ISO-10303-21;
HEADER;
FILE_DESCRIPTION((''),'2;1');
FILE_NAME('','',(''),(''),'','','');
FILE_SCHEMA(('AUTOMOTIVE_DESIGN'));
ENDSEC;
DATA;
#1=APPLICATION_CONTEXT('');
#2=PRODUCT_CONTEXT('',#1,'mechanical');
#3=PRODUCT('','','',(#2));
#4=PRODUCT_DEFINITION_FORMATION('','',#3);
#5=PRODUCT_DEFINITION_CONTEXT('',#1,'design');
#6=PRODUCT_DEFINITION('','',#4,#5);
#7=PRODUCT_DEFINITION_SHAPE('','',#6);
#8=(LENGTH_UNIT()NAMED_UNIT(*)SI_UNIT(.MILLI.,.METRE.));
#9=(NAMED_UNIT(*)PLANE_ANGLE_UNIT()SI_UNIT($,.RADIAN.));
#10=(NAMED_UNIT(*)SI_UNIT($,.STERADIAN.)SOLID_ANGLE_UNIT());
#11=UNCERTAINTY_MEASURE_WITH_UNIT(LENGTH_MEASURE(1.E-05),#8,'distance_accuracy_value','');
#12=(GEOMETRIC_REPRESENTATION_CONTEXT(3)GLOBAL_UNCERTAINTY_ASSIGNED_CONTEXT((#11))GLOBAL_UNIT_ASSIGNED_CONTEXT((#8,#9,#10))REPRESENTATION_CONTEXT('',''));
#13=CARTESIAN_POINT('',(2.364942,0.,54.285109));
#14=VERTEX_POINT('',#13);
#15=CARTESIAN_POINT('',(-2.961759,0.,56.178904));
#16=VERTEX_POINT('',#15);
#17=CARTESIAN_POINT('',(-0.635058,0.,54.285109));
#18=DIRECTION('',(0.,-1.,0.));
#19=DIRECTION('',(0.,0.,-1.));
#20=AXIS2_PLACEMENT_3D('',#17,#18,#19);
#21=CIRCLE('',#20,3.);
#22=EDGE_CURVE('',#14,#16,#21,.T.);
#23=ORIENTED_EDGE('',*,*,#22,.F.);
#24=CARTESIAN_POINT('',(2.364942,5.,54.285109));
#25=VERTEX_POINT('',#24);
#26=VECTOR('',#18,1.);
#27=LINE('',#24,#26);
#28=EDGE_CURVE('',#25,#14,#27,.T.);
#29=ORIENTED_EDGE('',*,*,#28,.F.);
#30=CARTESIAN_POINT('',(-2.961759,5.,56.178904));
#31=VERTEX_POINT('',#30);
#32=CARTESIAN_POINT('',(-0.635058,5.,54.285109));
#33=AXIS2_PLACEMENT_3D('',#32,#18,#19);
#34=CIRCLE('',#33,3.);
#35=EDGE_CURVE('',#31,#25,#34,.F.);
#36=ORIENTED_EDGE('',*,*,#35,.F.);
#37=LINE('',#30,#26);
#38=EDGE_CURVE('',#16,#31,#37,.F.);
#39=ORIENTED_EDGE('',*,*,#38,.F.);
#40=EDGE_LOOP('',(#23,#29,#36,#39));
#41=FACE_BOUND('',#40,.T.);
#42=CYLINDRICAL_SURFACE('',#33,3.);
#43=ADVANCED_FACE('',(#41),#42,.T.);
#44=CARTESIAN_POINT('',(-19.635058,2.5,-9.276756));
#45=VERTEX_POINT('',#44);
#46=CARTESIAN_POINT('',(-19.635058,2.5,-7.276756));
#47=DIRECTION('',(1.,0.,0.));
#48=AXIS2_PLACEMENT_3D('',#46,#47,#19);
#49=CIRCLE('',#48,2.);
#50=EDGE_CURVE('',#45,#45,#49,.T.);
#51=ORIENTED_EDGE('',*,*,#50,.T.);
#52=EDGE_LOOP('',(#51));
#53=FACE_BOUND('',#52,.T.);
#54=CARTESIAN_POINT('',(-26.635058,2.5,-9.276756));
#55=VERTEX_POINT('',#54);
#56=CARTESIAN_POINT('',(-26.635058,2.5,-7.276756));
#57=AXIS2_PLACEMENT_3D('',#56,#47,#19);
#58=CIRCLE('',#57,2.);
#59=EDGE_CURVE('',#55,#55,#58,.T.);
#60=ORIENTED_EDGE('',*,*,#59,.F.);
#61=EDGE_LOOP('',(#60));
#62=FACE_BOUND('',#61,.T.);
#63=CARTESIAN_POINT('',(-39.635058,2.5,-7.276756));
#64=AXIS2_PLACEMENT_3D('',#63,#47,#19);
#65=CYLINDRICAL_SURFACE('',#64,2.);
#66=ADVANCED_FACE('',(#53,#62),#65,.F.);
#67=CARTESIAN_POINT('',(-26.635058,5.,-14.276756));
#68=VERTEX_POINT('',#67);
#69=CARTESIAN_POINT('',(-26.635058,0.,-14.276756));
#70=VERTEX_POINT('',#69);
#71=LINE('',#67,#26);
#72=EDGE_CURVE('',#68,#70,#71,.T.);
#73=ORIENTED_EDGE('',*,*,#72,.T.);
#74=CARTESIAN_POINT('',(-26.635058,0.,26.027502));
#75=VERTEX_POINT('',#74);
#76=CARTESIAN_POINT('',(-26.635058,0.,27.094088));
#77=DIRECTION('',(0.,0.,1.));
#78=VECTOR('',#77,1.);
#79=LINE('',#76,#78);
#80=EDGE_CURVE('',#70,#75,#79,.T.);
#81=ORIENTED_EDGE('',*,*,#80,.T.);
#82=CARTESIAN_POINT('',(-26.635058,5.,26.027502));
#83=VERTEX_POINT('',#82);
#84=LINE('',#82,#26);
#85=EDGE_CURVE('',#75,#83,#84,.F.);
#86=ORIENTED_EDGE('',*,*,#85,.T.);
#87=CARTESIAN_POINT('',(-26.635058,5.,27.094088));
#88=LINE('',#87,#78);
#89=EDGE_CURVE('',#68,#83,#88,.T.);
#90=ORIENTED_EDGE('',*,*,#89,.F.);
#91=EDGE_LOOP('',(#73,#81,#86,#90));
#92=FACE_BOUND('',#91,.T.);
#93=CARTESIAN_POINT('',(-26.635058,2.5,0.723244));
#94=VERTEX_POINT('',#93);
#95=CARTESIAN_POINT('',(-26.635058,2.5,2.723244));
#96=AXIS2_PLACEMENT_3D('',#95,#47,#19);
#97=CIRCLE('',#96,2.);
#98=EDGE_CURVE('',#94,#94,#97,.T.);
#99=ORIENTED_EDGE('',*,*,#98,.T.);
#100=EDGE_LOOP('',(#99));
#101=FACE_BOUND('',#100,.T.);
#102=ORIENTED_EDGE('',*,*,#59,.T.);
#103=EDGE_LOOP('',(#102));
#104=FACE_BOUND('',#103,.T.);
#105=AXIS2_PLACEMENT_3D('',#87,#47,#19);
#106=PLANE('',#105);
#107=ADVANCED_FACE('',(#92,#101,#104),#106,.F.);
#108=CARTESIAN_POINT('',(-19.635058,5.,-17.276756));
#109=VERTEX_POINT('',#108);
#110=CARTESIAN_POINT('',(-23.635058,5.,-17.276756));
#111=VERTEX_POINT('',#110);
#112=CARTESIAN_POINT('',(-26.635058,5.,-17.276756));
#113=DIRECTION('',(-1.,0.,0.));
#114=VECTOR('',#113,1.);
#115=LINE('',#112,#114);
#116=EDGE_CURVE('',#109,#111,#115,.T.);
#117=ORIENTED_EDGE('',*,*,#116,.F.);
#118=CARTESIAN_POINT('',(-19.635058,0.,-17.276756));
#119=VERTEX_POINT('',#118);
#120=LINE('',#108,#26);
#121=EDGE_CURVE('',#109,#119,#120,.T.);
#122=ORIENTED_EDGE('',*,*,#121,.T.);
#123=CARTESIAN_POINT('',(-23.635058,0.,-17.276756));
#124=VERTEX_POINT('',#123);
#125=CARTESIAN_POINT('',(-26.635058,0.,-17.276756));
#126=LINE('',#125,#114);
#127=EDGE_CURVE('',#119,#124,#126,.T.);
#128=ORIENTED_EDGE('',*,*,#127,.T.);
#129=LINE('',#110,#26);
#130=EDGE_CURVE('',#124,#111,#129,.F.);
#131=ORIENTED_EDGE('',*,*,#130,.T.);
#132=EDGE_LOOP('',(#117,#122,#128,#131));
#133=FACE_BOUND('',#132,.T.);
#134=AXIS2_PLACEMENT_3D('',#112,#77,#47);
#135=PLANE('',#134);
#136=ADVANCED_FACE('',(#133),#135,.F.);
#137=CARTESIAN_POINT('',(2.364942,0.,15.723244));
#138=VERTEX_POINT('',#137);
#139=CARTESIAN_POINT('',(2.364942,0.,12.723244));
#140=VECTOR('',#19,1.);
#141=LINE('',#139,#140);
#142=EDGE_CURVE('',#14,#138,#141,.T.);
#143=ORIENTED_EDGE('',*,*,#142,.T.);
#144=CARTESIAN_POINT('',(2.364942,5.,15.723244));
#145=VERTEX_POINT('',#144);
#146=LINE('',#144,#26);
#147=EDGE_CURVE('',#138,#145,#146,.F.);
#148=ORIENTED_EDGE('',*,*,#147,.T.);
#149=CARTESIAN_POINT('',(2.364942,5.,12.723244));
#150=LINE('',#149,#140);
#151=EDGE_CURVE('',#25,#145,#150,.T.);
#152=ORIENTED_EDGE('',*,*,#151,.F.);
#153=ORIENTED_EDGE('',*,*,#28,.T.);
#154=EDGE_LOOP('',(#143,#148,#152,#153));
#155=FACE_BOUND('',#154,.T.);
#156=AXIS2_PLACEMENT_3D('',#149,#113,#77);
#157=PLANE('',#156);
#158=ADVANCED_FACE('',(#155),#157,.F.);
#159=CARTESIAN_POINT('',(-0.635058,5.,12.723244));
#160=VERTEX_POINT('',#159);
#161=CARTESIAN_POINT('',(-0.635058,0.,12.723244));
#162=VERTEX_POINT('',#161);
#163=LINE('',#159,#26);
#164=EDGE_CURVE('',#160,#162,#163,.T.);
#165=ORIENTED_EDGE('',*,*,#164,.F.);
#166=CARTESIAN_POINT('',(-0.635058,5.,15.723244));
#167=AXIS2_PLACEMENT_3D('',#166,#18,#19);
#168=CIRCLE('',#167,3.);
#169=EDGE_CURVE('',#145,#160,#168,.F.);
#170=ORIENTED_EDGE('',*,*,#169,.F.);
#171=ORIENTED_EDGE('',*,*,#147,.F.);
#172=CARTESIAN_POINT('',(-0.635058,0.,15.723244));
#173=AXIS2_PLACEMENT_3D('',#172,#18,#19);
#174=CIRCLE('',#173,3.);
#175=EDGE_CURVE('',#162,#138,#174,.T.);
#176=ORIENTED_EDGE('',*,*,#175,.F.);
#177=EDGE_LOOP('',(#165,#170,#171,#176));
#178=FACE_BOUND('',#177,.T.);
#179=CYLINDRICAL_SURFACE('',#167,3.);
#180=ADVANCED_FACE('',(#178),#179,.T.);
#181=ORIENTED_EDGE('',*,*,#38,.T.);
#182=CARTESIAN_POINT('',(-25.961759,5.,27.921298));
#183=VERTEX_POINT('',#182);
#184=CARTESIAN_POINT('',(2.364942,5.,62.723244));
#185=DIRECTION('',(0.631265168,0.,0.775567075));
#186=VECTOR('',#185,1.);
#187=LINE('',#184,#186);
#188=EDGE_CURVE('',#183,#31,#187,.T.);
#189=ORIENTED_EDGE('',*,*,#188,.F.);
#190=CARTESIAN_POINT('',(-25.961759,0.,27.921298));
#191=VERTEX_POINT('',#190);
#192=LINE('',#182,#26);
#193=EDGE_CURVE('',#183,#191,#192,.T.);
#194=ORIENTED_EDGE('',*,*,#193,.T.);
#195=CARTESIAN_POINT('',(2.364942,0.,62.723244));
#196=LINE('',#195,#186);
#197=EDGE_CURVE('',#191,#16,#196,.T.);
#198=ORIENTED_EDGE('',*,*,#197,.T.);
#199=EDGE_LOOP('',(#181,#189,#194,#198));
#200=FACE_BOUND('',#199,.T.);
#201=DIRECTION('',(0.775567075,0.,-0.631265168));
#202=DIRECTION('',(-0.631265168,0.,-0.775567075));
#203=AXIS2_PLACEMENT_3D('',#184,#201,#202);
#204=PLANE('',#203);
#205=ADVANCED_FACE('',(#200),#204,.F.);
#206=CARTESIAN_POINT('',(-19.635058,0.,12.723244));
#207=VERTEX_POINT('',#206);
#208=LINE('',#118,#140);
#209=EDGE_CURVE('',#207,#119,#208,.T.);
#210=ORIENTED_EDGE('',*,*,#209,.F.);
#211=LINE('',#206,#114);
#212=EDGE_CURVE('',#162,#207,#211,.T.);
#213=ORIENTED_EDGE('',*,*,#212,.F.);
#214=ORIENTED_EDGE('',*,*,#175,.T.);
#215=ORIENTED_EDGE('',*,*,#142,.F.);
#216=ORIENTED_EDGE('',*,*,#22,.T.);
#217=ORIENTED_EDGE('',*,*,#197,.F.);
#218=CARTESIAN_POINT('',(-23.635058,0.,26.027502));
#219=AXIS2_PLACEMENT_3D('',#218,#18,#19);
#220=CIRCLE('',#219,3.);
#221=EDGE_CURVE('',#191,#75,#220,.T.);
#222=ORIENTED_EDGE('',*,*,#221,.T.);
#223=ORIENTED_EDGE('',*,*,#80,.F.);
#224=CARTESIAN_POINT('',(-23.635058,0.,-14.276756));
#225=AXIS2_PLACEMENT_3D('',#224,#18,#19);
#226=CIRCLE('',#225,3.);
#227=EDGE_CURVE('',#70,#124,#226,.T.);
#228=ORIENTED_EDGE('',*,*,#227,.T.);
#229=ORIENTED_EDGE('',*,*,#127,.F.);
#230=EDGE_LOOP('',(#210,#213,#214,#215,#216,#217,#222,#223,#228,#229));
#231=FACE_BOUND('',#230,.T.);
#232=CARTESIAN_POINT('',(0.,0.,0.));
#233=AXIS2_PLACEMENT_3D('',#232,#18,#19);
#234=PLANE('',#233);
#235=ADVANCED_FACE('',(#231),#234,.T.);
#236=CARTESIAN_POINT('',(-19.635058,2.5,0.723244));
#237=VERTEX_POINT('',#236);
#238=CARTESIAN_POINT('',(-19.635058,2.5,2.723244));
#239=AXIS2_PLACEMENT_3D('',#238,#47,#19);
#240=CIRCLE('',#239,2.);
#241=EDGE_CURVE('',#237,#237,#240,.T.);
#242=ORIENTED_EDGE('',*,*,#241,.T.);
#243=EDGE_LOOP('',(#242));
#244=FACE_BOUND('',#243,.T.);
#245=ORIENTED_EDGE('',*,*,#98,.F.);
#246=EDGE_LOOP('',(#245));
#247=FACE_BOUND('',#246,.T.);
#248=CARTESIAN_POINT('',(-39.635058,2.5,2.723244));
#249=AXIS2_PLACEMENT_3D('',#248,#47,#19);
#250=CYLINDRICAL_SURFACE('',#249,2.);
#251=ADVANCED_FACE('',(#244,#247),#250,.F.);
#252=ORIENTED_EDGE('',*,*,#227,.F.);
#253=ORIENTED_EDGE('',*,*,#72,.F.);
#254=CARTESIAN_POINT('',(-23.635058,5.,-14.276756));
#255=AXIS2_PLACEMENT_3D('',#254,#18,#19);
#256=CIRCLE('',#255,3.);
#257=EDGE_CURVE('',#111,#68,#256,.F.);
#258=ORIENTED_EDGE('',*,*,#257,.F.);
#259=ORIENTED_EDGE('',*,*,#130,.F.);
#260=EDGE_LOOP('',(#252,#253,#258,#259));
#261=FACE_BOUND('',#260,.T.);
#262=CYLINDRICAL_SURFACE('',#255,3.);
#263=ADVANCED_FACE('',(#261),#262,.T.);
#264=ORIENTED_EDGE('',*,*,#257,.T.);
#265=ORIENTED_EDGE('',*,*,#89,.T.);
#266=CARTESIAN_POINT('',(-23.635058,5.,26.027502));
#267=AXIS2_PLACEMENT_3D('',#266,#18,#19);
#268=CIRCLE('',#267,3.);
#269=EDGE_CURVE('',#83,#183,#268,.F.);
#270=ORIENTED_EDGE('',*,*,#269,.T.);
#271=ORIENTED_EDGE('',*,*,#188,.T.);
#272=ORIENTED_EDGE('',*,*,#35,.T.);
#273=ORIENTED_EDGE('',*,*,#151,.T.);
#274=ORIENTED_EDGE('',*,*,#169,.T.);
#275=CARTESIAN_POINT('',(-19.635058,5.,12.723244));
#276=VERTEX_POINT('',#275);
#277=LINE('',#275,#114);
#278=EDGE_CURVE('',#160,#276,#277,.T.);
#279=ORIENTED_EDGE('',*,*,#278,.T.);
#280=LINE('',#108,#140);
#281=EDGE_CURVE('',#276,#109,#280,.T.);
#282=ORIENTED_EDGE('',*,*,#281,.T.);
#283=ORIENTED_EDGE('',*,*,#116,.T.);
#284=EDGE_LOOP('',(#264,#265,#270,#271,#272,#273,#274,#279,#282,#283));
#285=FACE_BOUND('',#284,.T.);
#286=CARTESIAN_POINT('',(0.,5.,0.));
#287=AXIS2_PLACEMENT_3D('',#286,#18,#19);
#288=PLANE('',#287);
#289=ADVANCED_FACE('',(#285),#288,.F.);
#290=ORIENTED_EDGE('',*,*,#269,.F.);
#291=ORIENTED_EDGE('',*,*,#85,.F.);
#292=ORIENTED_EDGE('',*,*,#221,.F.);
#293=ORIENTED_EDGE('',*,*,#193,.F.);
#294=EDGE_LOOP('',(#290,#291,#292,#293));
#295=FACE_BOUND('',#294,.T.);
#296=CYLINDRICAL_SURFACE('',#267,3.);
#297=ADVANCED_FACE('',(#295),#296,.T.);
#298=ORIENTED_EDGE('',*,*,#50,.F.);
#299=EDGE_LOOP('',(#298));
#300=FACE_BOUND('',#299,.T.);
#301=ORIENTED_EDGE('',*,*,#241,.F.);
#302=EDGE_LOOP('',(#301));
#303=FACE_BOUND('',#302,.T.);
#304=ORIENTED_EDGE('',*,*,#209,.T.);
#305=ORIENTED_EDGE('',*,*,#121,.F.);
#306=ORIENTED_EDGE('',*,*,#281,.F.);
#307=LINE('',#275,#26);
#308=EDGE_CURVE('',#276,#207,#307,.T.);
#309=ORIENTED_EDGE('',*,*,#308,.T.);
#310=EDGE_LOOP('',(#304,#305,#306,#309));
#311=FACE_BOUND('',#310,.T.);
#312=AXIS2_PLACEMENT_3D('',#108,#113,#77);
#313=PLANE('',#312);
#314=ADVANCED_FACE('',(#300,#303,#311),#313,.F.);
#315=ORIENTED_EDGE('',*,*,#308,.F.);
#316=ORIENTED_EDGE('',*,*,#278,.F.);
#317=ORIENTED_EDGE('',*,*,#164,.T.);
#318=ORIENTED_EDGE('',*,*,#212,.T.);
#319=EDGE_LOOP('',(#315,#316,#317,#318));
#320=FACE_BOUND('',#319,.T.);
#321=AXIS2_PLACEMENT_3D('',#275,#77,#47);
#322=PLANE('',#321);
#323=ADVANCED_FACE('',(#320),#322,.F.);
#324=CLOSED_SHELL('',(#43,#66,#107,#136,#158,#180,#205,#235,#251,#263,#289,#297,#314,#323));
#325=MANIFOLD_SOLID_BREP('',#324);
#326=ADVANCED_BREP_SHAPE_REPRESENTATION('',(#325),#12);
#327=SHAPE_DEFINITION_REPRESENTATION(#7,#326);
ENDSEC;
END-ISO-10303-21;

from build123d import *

# Parameters (mm, degrees)
BOSS_EXTRUDE1_DEPTH = 5
SKETCH3_R           = 2
CUT_EXTRUDE2_DEPTH  = 20
FILLET2_R           = 3
FILLET3_R           = 3
FILLET4_R           = 3


with BuildPart() as part:
    # Sketch1 → Boss-Extrude1 (new body)
    with BuildSketch(Plane(origin=(0, 0, 0), x_dir=(1, 0, 0), z_dir=(0, 1, 0))):
        Polygon((2.364942178, -62.723244455), (-26.635057822, -27.094088406), (-26.635057822, 17.276755545), (-19.635057822, 17.276755545), (-19.635057822, -12.723244455), (2.364942178, -12.723244455), align=None)
    extrude(amount=BOSS_EXTRUDE1_DEPTH)

    # Sketch3 → Cut-Extrude2 (cut)
    with BuildSketch(Plane(origin=(-19.635057822, 0, 0), x_dir=(0, 0, -1), z_dir=(1, 0, 0))):
        with Locations((-2.723244455, 2.5)):
            Circle(SKETCH3_R)
        with Locations((7.276755545, 2.5)):
            Circle(SKETCH3_R)
    extrude(amount=-CUT_EXTRUDE2_DEPTH, mode=Mode.SUBTRACT)

    # Fillet2
    fillet2_edges = [part.edges().sort_by_distance(p)[0] for p in [
        (2.364942178, 2.5, 62.723244455),
    ]]
    fillet(fillet2_edges, radius=FILLET2_R)

    # Fillet3
    fillet3_edges = [part.edges().sort_by_distance(p)[0] for p in [
        (2.364942178, 2.5, 12.723244455),
        (-26.635057822, 2.5, -17.276755545),
    ]]
    fillet(fillet3_edges, radius=FILLET3_R)

    # Fillet4
    fillet4_edges = [part.edges().sort_by_distance(p)[0] for p in [
        (-26.635057822, 2.5, 27.094088406),
    ]]
    fillet(fillet4_edges, radius=FILLET4_R)


solid = part.part
